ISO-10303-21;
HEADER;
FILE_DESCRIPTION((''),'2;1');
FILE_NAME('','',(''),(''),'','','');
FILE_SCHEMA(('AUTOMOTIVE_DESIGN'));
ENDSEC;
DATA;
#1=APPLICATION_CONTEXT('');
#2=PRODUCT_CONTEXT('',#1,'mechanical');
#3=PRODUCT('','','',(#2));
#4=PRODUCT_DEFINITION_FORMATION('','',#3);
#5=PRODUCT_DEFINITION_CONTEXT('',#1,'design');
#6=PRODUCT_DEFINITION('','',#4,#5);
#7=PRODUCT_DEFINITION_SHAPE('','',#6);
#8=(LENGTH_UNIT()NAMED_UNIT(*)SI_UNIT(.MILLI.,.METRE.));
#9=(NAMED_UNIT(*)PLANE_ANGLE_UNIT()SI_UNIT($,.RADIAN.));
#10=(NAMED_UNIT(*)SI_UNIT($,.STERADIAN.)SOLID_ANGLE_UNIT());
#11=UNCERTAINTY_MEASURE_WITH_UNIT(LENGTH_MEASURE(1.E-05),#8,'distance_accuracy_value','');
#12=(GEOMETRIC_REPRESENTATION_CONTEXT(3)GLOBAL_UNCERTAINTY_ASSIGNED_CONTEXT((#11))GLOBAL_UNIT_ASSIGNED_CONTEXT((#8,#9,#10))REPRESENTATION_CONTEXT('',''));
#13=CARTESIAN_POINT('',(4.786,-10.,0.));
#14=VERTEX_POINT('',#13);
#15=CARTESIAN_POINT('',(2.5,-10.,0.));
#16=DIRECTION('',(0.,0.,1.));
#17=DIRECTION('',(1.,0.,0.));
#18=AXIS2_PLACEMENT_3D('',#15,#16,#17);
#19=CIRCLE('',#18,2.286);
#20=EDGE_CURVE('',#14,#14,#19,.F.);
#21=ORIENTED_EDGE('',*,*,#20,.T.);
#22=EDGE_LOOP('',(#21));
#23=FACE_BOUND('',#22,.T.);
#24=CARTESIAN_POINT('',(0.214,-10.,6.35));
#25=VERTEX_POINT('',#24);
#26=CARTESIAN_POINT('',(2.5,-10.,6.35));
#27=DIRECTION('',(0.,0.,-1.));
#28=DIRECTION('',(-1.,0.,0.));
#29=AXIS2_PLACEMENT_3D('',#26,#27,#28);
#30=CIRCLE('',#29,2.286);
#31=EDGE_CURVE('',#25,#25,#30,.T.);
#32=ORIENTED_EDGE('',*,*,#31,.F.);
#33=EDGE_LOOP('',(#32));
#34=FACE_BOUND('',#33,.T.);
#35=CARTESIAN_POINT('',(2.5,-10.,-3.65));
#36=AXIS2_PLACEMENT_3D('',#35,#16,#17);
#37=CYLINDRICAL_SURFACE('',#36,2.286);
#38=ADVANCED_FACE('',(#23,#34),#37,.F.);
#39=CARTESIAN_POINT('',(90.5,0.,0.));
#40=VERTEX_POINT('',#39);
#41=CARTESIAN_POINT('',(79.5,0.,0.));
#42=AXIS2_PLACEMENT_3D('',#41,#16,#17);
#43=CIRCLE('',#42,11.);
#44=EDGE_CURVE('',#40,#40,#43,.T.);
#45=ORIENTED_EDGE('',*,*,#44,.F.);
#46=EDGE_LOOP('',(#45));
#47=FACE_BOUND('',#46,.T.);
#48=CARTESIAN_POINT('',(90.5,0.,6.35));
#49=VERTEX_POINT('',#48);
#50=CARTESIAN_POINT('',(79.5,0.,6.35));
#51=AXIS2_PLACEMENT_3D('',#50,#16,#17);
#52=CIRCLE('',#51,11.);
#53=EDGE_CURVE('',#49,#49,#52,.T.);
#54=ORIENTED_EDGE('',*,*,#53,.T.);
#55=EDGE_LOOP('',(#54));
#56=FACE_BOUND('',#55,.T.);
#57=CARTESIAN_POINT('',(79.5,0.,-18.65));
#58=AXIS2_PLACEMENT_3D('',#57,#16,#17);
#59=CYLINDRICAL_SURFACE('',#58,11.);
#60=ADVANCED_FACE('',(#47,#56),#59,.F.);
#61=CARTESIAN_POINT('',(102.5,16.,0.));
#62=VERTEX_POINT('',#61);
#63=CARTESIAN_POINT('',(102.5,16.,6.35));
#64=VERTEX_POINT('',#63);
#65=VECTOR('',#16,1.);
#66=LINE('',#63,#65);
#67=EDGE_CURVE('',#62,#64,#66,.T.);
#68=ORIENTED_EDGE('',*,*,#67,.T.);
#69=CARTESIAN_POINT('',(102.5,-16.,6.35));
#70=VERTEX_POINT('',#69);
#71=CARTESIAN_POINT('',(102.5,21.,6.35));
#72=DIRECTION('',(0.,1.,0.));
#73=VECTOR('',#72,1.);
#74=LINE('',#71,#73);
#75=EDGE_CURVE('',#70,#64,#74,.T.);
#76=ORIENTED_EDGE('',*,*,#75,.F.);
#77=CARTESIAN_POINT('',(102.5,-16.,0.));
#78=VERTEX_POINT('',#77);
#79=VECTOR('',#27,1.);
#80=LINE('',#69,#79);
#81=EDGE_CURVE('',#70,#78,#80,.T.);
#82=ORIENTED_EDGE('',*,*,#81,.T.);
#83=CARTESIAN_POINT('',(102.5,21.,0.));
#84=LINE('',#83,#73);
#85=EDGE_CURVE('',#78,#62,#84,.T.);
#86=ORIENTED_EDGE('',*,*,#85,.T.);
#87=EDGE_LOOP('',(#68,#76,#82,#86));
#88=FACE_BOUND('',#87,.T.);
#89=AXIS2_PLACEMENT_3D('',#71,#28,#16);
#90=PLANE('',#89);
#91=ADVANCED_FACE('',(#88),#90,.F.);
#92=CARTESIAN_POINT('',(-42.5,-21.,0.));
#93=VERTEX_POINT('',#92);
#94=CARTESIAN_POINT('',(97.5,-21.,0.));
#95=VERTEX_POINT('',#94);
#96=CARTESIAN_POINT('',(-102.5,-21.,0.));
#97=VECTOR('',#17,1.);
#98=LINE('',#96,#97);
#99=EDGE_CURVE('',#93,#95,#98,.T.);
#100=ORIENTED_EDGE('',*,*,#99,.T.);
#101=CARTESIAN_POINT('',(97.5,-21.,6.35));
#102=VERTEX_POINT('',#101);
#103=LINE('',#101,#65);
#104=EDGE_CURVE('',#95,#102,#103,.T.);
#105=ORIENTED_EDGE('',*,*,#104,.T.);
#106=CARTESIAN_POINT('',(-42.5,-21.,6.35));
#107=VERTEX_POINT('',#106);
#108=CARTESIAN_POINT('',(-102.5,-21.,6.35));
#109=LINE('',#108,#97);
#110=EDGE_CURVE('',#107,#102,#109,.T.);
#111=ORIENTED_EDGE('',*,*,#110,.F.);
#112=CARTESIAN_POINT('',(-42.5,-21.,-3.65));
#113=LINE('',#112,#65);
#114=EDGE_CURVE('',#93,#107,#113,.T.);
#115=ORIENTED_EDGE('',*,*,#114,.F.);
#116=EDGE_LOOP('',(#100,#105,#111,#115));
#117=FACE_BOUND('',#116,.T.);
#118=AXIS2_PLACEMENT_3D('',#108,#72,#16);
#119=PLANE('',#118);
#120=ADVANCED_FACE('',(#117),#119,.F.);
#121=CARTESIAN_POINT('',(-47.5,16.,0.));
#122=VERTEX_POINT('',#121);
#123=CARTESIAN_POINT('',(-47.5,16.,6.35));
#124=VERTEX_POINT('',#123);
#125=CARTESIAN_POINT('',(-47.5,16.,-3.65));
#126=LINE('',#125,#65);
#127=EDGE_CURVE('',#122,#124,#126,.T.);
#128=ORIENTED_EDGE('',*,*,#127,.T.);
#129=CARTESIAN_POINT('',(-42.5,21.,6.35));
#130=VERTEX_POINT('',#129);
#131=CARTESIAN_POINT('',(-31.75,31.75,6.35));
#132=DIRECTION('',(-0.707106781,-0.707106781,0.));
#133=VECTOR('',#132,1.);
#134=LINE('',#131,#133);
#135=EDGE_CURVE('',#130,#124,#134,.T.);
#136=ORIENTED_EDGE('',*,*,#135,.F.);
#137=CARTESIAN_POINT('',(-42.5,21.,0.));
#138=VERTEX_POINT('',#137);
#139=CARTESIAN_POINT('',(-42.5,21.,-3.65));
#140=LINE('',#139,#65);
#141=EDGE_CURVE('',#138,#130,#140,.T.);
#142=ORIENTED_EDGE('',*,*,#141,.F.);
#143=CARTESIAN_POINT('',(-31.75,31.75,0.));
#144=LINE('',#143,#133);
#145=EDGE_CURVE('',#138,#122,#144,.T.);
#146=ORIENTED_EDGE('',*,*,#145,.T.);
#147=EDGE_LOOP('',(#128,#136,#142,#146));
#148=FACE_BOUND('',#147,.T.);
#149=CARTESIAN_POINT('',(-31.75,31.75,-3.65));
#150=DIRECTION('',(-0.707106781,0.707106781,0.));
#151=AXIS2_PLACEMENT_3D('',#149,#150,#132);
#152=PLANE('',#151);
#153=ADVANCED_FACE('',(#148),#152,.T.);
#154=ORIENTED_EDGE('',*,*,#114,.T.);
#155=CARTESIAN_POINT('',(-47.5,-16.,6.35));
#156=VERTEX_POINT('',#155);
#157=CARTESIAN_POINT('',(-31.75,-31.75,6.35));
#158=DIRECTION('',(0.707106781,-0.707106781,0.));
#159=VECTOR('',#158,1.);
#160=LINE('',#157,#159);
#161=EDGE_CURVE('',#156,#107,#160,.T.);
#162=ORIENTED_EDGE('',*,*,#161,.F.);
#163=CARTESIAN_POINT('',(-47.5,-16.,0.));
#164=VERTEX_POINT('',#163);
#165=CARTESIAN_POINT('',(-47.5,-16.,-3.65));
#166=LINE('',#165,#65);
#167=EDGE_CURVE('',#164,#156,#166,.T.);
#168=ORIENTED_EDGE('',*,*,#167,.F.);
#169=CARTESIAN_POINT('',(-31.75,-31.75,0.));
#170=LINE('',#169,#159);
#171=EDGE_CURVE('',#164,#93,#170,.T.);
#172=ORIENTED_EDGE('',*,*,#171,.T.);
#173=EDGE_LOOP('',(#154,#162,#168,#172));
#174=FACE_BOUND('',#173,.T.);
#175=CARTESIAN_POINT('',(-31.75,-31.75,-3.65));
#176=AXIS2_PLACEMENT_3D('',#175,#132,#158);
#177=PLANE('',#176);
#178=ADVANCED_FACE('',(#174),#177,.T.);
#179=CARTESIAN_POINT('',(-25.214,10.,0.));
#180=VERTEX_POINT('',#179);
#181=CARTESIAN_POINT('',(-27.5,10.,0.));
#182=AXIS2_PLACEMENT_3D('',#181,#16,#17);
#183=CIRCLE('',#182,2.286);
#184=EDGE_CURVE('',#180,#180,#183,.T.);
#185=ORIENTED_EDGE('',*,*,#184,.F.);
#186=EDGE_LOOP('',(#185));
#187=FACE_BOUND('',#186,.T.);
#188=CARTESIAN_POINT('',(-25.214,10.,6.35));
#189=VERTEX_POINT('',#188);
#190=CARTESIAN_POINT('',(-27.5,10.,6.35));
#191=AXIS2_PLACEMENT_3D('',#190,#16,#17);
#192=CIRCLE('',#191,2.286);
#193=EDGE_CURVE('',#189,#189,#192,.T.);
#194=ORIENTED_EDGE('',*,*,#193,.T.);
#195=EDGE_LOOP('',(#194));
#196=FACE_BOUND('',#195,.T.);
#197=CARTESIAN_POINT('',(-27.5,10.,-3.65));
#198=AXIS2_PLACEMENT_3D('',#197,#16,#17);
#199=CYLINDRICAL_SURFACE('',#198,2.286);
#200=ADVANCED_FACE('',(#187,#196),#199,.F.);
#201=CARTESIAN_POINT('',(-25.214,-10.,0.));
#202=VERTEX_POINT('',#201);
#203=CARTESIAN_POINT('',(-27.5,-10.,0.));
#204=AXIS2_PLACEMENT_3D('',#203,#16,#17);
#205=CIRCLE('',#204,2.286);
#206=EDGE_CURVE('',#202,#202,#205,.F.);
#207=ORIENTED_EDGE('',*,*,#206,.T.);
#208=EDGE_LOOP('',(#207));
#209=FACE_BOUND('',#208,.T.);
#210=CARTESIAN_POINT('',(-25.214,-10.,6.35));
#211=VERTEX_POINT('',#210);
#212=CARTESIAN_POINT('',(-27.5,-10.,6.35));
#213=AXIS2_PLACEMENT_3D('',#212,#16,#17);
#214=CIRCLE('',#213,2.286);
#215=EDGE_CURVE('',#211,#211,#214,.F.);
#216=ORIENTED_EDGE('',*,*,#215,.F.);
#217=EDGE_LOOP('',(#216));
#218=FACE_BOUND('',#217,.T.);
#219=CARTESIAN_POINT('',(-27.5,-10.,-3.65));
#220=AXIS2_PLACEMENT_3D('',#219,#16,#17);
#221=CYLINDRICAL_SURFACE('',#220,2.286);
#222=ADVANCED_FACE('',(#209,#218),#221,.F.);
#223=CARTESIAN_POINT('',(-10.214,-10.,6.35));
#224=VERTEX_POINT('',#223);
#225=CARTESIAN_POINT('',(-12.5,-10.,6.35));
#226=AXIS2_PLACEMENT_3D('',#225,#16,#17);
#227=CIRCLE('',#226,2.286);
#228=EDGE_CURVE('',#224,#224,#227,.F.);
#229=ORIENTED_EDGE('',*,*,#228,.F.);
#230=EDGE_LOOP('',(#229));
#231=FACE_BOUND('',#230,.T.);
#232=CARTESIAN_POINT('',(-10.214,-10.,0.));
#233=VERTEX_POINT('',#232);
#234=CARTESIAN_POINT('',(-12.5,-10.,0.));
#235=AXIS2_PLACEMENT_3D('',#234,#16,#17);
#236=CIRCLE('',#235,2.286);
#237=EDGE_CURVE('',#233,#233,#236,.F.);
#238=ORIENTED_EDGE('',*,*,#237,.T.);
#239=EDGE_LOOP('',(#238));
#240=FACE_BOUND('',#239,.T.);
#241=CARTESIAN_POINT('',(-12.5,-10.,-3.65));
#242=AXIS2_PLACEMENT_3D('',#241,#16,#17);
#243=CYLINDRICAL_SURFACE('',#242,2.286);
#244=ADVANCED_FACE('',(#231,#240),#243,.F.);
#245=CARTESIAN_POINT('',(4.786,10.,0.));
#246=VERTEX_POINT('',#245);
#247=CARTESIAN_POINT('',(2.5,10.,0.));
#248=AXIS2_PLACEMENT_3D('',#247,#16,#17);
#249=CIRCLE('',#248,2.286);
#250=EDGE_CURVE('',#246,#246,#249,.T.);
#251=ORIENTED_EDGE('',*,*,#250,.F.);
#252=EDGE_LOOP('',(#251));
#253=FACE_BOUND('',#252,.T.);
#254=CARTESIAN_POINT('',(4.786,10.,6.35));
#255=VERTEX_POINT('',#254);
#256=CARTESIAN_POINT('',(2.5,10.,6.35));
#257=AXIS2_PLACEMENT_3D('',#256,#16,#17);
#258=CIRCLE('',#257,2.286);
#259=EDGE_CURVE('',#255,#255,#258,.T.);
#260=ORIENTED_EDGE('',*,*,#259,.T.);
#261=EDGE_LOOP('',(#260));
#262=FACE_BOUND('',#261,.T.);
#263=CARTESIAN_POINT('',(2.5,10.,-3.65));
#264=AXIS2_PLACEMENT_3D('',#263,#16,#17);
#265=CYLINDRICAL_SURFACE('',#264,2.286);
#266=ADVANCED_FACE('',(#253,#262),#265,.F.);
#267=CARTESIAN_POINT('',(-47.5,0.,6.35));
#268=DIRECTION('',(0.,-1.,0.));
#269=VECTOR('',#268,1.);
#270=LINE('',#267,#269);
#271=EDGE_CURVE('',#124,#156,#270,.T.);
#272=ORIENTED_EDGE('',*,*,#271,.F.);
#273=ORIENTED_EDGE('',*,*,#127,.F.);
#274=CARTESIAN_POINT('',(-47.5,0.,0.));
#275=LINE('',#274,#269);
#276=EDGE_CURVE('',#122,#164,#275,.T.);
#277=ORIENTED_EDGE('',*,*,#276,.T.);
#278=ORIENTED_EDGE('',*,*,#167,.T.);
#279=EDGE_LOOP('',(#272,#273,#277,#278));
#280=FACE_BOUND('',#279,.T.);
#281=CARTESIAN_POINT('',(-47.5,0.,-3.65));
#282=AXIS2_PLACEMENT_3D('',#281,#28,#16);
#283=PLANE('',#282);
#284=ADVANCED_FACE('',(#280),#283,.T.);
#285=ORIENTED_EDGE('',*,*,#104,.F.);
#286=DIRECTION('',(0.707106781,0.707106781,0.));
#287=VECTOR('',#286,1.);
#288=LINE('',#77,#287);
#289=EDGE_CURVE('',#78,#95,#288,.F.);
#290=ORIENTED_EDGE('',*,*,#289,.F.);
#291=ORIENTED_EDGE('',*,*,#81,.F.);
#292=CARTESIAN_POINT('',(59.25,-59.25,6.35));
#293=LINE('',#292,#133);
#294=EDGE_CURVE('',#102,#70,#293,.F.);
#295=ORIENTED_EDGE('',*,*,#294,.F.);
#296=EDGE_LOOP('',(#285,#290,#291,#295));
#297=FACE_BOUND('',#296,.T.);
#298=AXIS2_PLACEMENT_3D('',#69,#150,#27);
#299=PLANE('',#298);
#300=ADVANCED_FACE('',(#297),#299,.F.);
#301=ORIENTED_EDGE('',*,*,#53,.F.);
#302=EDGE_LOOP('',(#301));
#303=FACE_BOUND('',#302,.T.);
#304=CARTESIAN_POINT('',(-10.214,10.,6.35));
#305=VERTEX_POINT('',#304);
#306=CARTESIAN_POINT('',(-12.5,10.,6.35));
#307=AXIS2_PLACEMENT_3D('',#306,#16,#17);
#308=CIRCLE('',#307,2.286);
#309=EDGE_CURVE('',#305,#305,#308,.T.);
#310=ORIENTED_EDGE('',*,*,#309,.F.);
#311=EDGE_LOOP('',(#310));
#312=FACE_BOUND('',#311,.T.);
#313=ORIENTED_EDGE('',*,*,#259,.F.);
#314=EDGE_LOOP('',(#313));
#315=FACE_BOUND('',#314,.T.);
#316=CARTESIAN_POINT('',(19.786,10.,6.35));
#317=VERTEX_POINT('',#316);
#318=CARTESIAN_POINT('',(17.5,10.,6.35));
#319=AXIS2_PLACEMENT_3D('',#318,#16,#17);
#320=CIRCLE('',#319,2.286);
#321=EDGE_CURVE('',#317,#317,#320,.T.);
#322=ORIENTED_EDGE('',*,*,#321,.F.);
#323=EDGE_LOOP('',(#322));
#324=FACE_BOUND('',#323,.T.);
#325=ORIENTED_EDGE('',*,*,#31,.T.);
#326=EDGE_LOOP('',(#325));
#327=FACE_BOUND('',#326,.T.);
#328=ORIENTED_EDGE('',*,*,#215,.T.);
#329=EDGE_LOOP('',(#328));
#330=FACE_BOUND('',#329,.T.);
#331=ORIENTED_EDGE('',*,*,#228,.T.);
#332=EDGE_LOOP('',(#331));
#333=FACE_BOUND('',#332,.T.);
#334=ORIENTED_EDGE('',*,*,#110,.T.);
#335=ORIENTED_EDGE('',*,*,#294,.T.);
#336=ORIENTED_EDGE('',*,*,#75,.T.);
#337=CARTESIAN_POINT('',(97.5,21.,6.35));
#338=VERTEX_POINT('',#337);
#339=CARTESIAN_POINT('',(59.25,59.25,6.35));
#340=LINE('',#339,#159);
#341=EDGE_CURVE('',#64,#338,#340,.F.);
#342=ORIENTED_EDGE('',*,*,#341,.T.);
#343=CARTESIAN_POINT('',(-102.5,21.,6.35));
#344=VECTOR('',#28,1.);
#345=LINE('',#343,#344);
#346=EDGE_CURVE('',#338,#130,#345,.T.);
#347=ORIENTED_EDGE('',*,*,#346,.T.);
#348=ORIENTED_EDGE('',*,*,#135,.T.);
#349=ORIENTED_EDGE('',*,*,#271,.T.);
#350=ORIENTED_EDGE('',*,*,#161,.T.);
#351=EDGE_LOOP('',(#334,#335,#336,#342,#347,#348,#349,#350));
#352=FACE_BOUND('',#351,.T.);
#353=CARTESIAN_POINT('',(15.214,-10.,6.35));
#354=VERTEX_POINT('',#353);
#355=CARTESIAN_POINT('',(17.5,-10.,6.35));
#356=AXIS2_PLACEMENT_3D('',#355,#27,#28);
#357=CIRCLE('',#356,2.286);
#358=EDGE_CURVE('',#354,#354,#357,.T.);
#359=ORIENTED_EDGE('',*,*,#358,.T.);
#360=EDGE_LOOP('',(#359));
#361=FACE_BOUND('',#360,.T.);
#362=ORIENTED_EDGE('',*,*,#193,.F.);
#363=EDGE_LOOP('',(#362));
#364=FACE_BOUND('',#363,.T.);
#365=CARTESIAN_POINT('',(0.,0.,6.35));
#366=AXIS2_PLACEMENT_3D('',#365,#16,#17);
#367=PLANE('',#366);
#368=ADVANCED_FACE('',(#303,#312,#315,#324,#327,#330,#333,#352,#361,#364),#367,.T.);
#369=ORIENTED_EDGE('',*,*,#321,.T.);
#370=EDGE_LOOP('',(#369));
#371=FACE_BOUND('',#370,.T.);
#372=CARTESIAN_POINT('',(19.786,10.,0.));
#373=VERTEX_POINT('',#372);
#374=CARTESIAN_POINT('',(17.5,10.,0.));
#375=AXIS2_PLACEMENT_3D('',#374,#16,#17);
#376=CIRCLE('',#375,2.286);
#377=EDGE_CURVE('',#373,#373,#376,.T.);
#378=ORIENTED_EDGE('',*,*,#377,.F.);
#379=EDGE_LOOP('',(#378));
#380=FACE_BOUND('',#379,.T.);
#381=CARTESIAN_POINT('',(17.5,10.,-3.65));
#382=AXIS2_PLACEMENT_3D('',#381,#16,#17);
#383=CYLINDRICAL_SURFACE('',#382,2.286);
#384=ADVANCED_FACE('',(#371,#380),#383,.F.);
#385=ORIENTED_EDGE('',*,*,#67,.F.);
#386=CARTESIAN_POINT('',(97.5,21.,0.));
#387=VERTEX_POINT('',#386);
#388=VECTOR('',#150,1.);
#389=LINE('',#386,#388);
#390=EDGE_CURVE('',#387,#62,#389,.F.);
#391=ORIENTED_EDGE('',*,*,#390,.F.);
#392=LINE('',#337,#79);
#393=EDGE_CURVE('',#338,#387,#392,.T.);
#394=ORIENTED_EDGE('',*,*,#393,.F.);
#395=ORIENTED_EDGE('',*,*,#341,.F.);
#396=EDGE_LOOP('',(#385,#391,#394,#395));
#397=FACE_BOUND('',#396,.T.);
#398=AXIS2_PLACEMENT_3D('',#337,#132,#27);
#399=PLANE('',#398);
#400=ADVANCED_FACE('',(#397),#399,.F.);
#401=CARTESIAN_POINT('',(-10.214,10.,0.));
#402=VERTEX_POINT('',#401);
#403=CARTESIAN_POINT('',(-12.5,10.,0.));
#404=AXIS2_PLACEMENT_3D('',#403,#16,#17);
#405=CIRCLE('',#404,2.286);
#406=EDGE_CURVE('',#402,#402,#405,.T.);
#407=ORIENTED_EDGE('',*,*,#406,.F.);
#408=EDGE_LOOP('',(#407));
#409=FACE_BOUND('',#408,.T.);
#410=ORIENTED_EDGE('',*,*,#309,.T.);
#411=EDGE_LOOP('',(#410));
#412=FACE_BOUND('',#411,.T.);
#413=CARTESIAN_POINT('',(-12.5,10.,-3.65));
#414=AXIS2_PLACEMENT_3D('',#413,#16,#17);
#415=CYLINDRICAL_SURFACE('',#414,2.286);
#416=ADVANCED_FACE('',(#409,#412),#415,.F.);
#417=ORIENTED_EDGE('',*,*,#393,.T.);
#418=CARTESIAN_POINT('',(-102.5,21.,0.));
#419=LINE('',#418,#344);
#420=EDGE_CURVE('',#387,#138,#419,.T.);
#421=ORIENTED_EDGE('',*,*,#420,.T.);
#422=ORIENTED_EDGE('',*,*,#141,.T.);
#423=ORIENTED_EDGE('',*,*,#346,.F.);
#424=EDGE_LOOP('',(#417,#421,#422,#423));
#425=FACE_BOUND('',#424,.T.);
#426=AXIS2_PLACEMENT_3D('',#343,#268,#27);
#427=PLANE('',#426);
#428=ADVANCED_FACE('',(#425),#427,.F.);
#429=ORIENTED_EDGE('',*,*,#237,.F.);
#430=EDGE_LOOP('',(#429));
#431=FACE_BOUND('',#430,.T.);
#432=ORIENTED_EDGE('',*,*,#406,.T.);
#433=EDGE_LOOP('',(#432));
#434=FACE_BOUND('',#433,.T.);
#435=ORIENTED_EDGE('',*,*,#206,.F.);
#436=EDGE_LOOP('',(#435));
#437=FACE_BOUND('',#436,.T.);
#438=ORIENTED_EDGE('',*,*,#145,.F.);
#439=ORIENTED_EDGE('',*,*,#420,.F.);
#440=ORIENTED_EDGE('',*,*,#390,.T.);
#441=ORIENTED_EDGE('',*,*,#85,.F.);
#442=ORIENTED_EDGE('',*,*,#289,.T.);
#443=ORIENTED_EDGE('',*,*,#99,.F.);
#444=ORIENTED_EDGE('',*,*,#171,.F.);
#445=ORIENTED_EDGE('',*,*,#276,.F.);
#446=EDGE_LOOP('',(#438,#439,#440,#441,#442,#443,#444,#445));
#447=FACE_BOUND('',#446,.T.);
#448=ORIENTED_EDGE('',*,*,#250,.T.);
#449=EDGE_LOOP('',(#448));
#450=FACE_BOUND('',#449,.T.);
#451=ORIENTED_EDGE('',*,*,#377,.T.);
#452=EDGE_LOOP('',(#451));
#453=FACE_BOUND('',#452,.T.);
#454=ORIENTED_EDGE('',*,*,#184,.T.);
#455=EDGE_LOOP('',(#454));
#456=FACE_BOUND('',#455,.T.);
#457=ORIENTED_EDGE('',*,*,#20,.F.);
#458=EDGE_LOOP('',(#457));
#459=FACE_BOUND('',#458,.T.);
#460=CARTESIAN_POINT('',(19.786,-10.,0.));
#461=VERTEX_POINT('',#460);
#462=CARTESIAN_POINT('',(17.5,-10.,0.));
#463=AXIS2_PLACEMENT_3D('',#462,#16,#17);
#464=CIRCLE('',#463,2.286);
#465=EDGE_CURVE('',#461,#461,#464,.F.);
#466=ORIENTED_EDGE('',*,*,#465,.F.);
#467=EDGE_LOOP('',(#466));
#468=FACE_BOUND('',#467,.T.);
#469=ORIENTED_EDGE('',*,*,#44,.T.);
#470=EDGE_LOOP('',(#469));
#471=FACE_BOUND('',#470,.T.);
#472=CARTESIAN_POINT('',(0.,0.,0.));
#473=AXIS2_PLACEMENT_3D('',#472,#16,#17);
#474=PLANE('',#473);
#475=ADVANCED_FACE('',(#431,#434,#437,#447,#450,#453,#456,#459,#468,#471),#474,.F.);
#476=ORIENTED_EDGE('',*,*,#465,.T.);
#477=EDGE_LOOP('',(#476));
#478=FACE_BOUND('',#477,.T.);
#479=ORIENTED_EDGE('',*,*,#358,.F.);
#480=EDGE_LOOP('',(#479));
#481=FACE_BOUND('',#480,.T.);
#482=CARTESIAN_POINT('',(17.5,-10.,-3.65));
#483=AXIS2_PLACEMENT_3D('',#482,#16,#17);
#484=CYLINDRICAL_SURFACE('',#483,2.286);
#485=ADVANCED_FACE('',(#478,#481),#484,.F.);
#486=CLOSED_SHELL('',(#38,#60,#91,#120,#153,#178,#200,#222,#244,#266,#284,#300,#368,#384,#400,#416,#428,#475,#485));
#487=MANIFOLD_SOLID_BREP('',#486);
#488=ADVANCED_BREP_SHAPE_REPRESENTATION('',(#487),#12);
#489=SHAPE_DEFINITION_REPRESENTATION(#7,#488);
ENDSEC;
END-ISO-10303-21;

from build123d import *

# Parameters (mm, degrees)
SKETCH1_W           = 205
SKETCH1_H           = 42
BOSS_EXTRUDE1_DEPTH = 6.35
SKETCH4_R           = 11
CUT_EXTRUDE3_DEPTH  = 7.35
CHAMFER1_SIZE       = 5
SKETCH5_R           = 11
CUT_EXTRUDE4_DEPTH  = 25
SKETCH13_R          = 11
SKETCH13_R_2        = 2.286
CUT_EXTRUDE12_DEPTH = 10


with BuildPart() as part:
    # Sketch1 → Boss-Extrude1 (new body)
    with BuildSketch(Plane.XY):
        Rectangle(SKETCH1_W, SKETCH1_H)
    extrude(amount=BOSS_EXTRUDE1_DEPTH)

    # Sketch4 → Cut-Extrude3 (cut, through all)
    with BuildSketch(Plane.XY.offset(6.35)):
        with Locations((-78.5, 0)):
            Circle(SKETCH4_R)
    extrude(amount=-CUT_EXTRUDE3_DEPTH, mode=Mode.SUBTRACT)

    # Chamfer1
    chamfer1_edges = [part.edges().sort_by_distance(p)[0] for p in [
        (102.5, -21, 3.175),
        (-102.5, -21, 3.175),
        (-102.5, 21, 3.175),
        (102.5, 21, 3.175),
    ]]
    chamfer(chamfer1_edges, length=CHAMFER1_SIZE)

    # Sketch5 → Cut-Extrude4 (cut)
    with BuildSketch(Plane.XY.offset(6.35)):
        with Locations((79.5, 0)):
            Circle(SKETCH5_R)
    extrude(amount=-CUT_EXTRUDE4_DEPTH, mode=Mode.SUBTRACT)

    # Sketch13 → Cut-Extrude12 (cut)
    with BuildSketch(Plane.XY.offset(6.35)):
        Polygon((-47.5, -16), (-47.5, 16), (-42.5, 21), (-97.5, 21), (-102.5, 16), (-102.5, -16), (-97.5, -21), (-42.5, -21), align=None)
        with Locations((-78.5, 0)):
            Circle(SKETCH13_R, mode=Mode.SUBTRACT)
        with Locations((-27.5, 10)):
            Circle(SKETCH13_R_2)
        with Locations((-12.5, 10)):
            Circle(SKETCH13_R_2)
        with Locations((-12.5, -10)):
            Circle(SKETCH13_R_2)
        with Locations((-27.5, -10)):
            Circle(SKETCH13_R_2)
        with Locations((2.5, 10)):
            Circle(SKETCH13_R_2)
        with Locations((17.5, 10)):
            Circle(SKETCH13_R_2)
        with Locations((17.5, -10)):
            Circle(SKETCH13_R_2)
        with Locations((2.5, -10)):
            Circle(SKETCH13_R_2)
    extrude(amount=-CUT_EXTRUDE12_DEPTH, mode=Mode.SUBTRACT)


solid = part.part
